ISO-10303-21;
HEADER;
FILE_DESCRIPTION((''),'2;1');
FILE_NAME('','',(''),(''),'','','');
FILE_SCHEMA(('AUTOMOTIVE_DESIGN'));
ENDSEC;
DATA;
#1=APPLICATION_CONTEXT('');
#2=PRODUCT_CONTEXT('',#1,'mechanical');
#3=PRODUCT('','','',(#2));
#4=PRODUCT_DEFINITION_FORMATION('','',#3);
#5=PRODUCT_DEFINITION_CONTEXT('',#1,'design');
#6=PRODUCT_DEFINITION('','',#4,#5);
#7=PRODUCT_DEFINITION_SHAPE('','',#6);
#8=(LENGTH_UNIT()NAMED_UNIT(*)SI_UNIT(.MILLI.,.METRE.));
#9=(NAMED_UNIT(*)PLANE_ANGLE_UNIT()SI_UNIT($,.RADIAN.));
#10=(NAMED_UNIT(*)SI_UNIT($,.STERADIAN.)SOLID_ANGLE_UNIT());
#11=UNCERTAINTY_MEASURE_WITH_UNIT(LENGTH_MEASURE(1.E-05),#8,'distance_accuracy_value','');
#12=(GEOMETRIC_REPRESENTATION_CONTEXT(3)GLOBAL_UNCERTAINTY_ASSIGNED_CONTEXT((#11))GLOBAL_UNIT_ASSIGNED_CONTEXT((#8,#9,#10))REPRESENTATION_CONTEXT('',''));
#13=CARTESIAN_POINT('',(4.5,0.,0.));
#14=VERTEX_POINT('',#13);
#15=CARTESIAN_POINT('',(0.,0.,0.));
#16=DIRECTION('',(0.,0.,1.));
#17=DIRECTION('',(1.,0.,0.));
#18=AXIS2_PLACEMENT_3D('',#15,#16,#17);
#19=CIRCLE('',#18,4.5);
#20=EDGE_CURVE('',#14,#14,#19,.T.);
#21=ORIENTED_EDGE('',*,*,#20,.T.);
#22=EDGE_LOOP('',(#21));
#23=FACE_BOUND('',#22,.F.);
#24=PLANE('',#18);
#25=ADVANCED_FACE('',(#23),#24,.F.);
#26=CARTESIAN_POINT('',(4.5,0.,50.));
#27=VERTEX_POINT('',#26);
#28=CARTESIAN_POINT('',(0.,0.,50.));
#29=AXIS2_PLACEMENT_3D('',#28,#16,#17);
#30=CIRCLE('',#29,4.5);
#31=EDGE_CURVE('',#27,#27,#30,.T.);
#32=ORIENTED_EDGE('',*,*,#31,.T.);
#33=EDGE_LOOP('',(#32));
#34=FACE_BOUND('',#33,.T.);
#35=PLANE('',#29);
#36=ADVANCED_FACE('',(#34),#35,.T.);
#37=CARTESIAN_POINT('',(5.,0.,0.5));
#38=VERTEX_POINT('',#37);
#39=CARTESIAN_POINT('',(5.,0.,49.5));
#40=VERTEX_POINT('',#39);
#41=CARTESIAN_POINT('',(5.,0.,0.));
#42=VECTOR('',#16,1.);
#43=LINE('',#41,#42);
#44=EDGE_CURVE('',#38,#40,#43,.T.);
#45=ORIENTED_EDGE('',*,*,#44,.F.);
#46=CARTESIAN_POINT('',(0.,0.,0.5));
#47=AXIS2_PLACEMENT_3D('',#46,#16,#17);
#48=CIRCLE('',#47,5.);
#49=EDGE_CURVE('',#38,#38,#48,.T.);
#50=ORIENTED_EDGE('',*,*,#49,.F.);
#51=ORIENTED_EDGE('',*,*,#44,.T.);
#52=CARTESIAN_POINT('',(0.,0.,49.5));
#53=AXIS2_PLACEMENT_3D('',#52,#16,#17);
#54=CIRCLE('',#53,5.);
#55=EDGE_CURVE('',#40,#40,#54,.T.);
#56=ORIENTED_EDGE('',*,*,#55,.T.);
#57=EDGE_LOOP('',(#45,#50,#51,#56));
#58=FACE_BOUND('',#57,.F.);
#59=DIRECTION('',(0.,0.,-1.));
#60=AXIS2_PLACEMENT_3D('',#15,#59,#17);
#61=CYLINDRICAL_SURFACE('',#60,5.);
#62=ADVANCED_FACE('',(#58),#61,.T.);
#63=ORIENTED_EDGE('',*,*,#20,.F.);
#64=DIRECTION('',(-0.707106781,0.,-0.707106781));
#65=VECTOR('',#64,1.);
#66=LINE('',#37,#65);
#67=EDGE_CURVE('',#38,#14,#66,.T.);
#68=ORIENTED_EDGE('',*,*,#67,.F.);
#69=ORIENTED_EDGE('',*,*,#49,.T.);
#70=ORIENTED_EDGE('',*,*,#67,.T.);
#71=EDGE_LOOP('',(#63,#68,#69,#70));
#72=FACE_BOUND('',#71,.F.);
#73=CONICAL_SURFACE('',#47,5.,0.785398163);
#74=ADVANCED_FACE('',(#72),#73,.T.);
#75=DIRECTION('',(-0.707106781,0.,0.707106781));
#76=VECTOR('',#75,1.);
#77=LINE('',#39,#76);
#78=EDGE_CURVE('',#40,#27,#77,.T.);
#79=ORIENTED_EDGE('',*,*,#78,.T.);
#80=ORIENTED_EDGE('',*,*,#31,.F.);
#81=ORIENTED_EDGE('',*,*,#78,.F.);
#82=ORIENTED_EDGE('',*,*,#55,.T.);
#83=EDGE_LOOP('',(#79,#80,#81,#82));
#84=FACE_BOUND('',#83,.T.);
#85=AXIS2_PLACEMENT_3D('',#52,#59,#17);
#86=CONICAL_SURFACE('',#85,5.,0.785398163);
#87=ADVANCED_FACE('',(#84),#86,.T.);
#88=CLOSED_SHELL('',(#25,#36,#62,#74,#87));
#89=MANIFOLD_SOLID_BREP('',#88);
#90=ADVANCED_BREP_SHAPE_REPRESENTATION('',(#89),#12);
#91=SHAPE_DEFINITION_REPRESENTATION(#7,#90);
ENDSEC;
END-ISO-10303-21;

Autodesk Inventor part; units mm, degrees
ref_plane "YZ Plane" through (0, 0, 0) normal (1, 0, 0) x (0, 1, 0)
ref_plane "XZ Plane" through (0, 0, 0) normal (0, 1, 0) x (-1, 0, 0)
ref_plane "XY Plane" through (0, 0, 0) normal (0, 0, 1) x (1, 0, 0)
sketch "Sketch1" plane through (0, 0, 0) normal (0, 0, 1) x (1, 0, 0)
  circle A0 centre (0, 0) radius 5
  dimension "d0" = 10
extrude "Extrusion1" add sketch "Sketch1" along normal blind 50
chamfer "Chamfer1" distance 0.5 angle 45 2 edges at (-5, 0, 50) (-5, 0, 0)
properties part number "10B"
